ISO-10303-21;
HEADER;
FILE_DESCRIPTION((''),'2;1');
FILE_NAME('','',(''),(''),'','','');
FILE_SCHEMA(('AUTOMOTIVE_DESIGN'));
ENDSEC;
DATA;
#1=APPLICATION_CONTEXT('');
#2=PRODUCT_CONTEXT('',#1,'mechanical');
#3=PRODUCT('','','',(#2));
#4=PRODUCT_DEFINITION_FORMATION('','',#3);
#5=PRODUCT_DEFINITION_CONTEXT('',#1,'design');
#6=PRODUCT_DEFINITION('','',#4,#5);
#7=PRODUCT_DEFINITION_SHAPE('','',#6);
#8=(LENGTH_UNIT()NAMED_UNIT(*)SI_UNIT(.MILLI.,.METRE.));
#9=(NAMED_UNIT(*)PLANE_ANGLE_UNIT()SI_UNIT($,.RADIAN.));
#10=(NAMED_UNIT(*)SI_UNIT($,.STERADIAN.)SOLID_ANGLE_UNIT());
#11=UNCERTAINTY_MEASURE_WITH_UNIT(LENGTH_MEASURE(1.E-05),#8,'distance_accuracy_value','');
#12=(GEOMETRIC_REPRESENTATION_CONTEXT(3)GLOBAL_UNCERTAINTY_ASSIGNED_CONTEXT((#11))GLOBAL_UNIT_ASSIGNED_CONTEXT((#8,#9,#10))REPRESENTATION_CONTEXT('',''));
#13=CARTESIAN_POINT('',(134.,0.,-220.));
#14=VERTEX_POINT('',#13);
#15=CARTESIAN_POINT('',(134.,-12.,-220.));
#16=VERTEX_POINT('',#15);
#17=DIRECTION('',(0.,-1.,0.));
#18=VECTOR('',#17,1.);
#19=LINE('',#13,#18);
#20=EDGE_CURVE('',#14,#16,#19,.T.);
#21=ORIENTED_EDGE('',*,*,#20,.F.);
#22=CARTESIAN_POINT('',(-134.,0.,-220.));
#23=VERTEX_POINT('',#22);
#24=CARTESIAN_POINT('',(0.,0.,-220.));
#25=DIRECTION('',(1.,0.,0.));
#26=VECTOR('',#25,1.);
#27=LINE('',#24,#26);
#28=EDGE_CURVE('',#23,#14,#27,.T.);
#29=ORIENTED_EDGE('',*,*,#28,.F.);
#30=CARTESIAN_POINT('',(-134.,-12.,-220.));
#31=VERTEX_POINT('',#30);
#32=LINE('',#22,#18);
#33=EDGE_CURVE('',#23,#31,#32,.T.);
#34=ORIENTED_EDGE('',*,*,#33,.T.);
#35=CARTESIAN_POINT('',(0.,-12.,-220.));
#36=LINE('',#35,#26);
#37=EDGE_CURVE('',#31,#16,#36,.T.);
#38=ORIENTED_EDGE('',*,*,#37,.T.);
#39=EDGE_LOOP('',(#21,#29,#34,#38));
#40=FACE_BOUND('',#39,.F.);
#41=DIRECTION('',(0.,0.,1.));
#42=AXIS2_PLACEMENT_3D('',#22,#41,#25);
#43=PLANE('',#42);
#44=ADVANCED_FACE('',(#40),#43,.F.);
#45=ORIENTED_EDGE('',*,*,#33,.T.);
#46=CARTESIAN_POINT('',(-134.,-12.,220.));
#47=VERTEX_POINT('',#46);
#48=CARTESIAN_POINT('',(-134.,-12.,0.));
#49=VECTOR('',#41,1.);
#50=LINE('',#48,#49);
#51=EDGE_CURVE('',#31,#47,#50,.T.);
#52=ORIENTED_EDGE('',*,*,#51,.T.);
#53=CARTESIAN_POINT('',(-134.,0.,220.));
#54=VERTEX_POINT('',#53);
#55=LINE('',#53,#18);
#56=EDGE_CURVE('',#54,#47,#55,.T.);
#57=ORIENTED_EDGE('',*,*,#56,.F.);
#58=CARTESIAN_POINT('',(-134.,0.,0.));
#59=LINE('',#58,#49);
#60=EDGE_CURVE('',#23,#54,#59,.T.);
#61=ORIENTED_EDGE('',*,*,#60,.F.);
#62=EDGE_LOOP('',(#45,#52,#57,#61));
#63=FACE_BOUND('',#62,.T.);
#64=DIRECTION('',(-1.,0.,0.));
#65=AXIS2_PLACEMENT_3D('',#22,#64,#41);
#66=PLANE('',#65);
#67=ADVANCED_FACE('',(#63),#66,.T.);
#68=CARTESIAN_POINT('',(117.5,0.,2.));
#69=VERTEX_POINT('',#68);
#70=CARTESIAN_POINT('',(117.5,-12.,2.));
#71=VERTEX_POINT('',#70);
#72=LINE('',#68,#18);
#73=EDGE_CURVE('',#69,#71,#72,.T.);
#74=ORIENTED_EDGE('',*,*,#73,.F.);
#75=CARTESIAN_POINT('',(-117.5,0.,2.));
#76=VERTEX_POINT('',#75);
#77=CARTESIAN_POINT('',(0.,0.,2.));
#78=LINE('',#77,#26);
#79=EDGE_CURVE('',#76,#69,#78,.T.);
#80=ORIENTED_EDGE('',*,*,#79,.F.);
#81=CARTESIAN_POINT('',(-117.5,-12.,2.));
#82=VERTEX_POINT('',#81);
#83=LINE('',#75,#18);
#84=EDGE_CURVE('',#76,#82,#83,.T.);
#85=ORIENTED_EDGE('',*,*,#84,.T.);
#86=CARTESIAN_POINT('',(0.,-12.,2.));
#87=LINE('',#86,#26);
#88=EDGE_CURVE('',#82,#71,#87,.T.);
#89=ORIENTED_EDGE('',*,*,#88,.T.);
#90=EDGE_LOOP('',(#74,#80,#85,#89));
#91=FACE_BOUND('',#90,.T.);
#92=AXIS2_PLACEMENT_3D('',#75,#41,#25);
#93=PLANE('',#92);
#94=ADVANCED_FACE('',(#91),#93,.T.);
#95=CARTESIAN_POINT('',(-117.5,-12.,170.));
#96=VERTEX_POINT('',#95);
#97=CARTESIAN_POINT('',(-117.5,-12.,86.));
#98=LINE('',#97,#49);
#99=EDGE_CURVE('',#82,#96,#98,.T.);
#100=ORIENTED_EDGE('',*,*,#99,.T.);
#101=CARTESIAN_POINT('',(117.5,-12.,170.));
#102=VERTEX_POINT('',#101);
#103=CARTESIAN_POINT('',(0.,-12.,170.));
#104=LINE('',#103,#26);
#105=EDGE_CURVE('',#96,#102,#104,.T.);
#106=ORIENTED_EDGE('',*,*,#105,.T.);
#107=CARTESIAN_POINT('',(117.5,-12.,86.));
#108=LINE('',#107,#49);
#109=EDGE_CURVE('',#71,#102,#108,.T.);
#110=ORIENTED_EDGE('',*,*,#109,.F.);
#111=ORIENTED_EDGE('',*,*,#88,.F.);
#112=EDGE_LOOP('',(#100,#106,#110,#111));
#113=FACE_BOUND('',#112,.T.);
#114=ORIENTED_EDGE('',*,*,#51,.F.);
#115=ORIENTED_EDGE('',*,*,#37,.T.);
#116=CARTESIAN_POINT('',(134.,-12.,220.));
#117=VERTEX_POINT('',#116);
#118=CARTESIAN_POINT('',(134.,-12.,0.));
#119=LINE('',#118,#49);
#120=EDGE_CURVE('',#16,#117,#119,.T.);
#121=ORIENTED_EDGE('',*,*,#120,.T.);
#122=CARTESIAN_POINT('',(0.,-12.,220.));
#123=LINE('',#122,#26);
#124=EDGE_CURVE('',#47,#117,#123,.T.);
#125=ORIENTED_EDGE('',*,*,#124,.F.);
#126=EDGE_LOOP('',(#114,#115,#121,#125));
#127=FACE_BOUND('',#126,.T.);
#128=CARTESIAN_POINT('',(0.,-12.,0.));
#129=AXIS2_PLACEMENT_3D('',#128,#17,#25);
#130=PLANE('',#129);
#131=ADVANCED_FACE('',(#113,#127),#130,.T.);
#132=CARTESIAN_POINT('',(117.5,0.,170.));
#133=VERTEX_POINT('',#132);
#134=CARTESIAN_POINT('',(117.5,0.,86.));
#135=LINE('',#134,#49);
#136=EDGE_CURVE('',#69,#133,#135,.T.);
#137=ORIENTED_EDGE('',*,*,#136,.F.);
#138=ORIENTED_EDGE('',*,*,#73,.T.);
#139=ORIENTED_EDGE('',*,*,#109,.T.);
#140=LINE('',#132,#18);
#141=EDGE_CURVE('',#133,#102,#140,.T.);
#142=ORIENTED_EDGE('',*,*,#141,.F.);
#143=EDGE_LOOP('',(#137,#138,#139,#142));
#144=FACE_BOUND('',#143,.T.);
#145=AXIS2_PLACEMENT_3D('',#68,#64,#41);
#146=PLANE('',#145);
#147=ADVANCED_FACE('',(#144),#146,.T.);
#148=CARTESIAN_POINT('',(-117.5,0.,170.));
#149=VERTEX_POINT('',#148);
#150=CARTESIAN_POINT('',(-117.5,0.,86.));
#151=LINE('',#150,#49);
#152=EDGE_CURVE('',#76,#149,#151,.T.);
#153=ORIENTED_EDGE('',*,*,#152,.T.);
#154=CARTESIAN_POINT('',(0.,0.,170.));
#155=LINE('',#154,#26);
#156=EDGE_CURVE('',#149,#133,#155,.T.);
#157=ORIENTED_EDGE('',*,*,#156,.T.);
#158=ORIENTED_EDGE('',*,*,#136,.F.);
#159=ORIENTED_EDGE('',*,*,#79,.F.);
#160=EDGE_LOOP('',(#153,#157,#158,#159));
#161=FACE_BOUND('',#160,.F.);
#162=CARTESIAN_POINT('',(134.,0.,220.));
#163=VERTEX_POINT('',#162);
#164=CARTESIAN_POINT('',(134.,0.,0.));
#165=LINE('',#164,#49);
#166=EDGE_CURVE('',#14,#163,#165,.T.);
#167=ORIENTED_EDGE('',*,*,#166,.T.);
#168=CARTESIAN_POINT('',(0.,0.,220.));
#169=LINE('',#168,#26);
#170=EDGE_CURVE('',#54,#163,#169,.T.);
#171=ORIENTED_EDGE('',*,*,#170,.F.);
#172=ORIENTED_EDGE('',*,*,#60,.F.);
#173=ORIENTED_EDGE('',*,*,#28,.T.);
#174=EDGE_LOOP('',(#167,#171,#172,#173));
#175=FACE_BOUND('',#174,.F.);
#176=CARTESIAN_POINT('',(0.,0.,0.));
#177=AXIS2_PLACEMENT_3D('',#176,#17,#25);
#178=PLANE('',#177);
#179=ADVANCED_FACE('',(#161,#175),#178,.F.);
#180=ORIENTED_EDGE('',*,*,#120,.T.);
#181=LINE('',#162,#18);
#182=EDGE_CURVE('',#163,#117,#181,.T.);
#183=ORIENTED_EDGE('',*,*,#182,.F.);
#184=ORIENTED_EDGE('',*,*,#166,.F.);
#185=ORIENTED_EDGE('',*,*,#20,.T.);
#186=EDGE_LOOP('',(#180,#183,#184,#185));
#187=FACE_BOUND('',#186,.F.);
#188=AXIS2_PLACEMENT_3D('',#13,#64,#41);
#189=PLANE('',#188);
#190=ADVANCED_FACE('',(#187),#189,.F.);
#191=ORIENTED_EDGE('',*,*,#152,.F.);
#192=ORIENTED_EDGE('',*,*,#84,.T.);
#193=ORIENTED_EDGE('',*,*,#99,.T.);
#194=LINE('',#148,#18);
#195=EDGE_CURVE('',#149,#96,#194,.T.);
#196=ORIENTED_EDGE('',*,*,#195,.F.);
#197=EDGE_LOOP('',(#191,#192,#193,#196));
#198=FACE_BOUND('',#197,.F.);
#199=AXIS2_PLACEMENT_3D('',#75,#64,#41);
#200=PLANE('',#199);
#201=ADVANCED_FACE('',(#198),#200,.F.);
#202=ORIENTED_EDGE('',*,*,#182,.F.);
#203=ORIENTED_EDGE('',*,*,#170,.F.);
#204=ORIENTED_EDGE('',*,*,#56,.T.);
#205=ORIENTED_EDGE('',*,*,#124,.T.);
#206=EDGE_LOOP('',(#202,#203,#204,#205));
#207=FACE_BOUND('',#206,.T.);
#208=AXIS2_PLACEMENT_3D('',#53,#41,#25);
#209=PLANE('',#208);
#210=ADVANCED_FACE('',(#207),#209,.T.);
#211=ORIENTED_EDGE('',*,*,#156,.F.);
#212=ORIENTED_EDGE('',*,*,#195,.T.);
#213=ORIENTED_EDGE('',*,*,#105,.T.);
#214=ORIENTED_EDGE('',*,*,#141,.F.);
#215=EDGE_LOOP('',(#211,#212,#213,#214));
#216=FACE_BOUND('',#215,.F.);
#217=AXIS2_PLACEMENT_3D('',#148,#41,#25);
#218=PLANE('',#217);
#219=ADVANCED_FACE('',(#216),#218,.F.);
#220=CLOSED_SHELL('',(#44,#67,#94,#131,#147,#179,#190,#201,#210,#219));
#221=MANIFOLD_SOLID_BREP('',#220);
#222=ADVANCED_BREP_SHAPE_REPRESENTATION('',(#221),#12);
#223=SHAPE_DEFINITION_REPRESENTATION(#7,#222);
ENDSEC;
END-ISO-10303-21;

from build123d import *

# Parameters (mm, degrees)
F0_W     = 268
F0_H     = 440
F0_W_2   = 255
F0_H_2   = 188
F0_W_3   = 235
F0_H_3   = 168
F1_DEPTH = 12


with BuildPart() as f1:
    # F0 (on Front) → F1 (new body)
    with BuildSketch(Plane.XZ):
        Rectangle(F0_W, F0_H)
        with Locations((0, 86)):
            Rectangle(F0_W_2, F0_H_2, mode=Mode.SUBTRACT)
        with Locations((0, 86)):
            Rectangle(F0_W_2, F0_H_2)
        with Locations((0, 86)):
            Rectangle(F0_W_3, F0_H_3, mode=Mode.SUBTRACT)
    extrude(amount=F1_DEPTH)


solid = f1.part
